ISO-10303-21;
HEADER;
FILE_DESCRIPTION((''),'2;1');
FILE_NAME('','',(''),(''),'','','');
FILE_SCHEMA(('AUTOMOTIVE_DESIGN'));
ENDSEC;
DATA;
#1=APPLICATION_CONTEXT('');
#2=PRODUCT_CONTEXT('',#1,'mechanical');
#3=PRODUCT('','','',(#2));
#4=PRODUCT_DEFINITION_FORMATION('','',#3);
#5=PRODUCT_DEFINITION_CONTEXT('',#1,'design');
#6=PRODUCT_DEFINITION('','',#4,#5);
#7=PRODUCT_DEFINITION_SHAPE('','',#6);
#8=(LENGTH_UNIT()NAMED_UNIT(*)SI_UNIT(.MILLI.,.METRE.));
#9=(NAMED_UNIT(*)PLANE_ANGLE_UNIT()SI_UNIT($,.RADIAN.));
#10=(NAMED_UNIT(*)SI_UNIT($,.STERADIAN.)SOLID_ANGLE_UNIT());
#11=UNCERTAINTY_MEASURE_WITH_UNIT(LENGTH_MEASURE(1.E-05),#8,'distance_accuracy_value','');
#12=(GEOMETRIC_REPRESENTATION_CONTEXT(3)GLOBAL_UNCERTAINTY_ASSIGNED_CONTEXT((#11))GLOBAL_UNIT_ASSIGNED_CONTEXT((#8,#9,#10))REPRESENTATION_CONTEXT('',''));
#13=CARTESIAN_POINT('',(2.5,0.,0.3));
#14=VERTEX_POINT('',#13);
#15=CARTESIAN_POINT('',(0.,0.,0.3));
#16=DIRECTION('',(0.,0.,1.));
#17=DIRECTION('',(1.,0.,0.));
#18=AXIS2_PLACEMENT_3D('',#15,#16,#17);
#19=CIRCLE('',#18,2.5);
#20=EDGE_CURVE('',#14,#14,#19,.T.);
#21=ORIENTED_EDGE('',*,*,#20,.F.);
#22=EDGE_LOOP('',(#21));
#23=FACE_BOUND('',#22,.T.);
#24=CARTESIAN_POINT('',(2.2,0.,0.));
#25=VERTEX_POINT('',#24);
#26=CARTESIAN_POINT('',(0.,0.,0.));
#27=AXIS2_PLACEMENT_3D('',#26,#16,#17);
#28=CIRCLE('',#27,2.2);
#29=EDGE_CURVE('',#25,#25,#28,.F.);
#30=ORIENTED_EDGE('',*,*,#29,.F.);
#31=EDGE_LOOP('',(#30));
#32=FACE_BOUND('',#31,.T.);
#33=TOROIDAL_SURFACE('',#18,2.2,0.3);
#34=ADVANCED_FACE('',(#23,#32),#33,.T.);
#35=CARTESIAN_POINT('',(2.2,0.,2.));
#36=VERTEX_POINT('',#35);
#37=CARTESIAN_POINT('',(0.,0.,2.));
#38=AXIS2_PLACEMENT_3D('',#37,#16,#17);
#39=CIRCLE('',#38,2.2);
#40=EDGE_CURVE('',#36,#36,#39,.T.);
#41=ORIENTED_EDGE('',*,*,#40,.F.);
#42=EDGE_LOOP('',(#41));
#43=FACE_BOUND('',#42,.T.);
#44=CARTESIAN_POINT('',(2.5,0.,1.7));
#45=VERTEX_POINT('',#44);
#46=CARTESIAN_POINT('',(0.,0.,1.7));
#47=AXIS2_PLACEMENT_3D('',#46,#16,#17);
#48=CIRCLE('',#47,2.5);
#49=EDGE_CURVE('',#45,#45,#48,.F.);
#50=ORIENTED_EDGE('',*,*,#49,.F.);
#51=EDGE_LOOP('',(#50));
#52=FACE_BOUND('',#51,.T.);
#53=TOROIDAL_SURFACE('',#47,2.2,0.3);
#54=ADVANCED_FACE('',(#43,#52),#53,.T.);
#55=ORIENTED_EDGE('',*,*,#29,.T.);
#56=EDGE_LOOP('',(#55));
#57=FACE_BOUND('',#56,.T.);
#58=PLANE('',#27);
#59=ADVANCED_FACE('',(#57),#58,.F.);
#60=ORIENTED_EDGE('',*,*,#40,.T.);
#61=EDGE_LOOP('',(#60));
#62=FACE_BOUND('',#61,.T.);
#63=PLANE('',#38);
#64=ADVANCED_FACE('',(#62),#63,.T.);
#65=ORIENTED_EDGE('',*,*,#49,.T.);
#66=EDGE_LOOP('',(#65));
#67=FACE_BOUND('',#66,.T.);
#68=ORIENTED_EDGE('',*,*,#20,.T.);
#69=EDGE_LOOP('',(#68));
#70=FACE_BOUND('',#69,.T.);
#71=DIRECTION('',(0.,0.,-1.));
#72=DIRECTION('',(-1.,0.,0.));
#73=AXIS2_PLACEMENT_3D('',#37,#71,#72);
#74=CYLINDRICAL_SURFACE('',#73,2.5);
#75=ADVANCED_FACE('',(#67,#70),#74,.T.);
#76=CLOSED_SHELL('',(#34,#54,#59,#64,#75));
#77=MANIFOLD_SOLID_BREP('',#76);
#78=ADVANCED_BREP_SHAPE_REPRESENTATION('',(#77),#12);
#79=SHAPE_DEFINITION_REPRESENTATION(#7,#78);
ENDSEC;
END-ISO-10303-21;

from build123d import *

# Parameters (mm, degrees)
SKETCH_1_R      = 2.5
EXTRUDE_1_DEPTH = 2
FILLET_1_R      = 0.3


with BuildPart() as part:
    # 草图1 → 凸台-拉伸1 (new body)
    with BuildSketch(Plane.XY):
        Circle(SKETCH_1_R)
    extrude(amount=EXTRUDE_1_DEPTH)

    # 圆角1
    fillet_1_edges = [part.edges().sort_by_distance(p)[0] for p in [
        (-2.5, 0, 0),
        (-2.5, 0, 2),
    ]]
    fillet(fillet_1_edges, radius=FILLET_1_R)


solid = part.part
